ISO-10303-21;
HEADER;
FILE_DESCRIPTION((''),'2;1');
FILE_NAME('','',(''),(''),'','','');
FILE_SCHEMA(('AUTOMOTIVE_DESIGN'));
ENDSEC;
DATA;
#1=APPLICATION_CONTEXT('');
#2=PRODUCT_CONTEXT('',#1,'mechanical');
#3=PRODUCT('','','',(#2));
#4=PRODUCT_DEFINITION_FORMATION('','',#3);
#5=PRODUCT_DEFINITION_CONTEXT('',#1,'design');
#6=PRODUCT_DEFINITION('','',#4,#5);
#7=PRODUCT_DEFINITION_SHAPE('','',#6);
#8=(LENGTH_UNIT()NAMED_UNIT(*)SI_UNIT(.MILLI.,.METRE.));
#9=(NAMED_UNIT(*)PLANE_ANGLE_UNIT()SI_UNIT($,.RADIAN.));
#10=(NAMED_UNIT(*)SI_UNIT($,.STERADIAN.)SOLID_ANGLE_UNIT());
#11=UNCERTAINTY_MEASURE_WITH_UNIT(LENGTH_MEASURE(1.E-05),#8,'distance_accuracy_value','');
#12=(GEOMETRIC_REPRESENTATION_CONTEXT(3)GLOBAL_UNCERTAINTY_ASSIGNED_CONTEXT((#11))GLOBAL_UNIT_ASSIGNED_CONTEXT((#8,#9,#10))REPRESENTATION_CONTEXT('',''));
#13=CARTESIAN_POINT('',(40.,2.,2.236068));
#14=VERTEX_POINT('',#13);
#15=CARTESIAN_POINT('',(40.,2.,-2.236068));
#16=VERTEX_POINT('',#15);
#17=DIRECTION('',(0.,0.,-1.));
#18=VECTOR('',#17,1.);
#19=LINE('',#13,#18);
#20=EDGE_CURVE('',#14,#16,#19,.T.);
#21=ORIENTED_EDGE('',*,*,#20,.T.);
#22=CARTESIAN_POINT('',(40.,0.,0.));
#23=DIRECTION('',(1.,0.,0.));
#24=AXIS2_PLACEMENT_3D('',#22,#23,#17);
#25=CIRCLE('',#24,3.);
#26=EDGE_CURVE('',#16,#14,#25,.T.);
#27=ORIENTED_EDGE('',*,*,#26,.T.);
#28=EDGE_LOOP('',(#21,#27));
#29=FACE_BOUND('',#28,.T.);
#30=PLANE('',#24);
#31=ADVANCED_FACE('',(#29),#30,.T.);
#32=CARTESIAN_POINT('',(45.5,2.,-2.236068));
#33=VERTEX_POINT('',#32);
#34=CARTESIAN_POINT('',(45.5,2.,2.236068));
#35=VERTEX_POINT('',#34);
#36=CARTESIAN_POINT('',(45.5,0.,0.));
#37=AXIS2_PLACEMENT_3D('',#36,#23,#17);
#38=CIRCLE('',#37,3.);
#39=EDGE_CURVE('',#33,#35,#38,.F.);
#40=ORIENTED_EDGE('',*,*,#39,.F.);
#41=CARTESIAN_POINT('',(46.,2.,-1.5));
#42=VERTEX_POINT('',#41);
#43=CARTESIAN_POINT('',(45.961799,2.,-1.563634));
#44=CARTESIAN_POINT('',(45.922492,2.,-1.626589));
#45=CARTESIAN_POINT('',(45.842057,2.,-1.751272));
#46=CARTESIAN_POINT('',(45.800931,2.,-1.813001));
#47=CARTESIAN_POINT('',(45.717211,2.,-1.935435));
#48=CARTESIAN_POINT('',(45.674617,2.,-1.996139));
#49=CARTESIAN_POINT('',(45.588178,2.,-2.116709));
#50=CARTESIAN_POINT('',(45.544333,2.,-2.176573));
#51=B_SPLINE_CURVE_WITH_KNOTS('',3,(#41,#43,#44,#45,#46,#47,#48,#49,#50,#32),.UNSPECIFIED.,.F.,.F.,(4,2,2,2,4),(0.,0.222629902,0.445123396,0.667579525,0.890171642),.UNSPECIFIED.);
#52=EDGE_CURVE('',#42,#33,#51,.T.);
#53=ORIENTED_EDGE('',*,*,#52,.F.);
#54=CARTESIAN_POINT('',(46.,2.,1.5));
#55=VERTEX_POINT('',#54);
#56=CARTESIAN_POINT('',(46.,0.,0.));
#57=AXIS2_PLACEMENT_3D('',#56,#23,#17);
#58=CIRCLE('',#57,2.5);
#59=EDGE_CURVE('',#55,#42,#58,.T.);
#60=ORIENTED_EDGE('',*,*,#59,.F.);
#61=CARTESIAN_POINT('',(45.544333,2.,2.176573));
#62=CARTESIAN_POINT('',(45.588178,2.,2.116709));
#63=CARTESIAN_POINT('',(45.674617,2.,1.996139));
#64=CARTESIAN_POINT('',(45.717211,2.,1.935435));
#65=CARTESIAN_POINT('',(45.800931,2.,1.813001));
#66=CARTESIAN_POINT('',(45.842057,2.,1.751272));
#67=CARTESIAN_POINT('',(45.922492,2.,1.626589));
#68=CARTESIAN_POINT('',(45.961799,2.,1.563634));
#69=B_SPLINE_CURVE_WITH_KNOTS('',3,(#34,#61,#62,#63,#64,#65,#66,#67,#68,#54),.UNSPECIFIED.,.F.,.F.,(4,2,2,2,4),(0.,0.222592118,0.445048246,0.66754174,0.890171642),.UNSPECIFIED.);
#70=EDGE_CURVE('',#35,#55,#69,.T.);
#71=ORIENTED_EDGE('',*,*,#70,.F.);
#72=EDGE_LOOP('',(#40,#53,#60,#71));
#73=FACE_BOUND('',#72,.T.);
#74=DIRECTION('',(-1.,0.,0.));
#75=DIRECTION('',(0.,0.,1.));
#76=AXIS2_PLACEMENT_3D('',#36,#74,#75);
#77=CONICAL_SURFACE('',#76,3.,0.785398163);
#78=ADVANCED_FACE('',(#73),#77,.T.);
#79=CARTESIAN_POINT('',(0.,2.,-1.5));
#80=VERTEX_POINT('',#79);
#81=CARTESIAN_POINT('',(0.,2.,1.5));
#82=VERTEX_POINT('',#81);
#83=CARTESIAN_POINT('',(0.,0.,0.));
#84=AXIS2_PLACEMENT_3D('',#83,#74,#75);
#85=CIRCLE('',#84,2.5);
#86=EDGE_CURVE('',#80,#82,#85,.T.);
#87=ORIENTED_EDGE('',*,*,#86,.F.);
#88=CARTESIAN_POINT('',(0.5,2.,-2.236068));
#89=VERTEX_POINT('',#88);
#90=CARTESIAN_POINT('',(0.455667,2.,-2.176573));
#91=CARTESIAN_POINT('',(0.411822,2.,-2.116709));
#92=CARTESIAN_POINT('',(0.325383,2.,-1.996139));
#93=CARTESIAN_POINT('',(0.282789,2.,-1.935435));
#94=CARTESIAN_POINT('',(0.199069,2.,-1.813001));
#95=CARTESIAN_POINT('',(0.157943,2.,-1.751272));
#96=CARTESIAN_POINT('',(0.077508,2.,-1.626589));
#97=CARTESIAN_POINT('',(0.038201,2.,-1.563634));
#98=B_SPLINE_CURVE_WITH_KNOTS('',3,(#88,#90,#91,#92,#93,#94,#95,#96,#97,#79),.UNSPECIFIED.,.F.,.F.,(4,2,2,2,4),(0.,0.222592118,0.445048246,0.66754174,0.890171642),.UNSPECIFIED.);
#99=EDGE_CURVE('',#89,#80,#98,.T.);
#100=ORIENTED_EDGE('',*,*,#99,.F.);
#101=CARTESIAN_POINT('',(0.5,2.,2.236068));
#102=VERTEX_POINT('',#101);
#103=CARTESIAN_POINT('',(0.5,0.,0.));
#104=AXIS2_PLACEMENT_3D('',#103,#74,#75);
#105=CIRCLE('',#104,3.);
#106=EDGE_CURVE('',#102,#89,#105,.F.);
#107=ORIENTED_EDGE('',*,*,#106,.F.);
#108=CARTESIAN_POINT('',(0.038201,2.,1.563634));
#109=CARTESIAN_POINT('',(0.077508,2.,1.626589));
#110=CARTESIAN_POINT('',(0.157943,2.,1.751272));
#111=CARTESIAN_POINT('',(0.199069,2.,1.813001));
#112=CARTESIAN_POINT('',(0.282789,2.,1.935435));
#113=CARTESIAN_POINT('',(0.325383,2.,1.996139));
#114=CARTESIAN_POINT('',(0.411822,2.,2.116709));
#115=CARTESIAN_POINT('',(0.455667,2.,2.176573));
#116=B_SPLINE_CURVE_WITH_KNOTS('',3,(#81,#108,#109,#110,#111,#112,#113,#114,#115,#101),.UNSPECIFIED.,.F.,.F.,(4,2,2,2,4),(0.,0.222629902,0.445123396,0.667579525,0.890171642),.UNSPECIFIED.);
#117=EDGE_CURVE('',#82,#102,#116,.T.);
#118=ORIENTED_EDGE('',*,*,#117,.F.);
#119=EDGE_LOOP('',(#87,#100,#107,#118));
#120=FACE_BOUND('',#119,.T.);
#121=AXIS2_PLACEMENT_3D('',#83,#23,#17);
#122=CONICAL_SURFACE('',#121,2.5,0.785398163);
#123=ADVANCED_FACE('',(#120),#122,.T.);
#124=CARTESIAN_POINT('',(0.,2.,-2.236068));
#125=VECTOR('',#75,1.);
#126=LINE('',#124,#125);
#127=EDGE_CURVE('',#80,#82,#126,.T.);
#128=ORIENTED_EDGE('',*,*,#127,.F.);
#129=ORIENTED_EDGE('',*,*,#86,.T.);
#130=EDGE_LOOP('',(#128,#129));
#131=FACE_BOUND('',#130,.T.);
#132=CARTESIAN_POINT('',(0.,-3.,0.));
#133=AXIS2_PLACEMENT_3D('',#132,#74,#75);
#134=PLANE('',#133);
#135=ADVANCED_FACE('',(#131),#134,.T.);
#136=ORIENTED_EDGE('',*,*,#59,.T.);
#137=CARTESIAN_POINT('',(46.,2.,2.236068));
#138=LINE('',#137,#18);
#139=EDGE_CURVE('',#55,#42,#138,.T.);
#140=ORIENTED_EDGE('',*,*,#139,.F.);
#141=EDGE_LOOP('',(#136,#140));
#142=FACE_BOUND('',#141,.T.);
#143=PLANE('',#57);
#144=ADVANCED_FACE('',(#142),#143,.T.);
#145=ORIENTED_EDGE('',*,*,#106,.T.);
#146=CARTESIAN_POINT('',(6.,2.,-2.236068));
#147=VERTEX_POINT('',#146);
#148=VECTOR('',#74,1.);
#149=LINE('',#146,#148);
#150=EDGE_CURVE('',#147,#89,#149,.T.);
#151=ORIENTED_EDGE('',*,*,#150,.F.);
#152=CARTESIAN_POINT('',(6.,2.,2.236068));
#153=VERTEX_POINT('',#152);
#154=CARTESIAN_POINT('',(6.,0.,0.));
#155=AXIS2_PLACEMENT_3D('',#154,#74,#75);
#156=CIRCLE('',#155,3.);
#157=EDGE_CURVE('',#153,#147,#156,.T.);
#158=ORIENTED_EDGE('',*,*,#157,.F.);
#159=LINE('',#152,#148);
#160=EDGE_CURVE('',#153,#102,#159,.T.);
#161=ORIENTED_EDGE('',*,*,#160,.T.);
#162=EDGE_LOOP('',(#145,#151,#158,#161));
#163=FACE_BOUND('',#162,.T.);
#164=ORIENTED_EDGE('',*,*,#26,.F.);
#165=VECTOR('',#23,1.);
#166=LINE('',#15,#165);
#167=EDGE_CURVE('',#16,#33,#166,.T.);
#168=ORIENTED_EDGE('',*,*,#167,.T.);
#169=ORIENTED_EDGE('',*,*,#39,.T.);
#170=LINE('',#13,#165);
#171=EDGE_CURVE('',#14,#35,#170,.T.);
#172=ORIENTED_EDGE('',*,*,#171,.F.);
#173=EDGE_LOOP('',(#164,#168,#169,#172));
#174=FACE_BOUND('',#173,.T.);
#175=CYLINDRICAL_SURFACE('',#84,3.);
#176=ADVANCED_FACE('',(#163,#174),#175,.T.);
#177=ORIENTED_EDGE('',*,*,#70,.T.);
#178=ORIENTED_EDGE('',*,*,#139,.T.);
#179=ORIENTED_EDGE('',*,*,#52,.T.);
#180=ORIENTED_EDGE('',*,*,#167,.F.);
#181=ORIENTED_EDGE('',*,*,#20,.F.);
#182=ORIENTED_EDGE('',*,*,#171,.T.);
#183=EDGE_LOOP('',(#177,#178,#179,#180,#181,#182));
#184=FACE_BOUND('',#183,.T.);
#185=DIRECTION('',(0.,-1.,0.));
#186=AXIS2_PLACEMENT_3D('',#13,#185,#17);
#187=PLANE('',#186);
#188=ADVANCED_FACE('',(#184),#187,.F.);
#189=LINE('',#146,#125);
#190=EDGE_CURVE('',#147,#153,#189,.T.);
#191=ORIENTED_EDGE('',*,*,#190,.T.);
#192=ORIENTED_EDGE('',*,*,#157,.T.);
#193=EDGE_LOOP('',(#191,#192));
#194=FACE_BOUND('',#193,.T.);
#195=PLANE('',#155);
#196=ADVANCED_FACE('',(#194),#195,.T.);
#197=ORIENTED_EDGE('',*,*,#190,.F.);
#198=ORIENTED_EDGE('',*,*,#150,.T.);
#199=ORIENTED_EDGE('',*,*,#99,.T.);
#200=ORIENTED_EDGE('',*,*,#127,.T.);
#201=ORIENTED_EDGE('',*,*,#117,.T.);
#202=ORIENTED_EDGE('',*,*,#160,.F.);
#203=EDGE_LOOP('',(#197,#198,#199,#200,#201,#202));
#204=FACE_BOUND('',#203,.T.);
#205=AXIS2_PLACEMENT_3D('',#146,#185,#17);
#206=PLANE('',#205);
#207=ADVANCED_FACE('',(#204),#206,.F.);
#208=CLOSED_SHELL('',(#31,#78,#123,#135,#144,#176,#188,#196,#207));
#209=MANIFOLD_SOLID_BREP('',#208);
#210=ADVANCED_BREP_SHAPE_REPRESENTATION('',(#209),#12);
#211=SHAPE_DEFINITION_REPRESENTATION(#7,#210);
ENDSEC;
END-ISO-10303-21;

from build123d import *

# Parameters (mm, degrees)
SKETCH2_W          = 46
SKETCH2_H          = 3
CUT_EXTRUDE3_DEPTH = 6
CUT_EXTRUDE4_DEPTH = 6
CHAMFER2_SIZE      = 0.5


with BuildPart() as part:
    # Sketch2 → Revolve2 (revolve)
    with BuildSketch(Plane.XY):
        with Locations((23, -1.5)):
            Rectangle(SKETCH2_W, SKETCH2_H)
    revolve(axis=Axis((0, 0, 0), (1, 0, 0)))

    # Sketch7 → Cut-Extrude3 (cut)
    with BuildSketch(Plane(origin=(46, 0, 0), x_dir=(0, 0, -1), z_dir=(1, 0, 0))):
        with BuildLine():
            Line((-2.236067977, 2), (2.236067977, 2))
            ThreePointArc((2.236067977, 2), (0, 3), (-2.236067977, 2))
        make_face()
    extrude(amount=-CUT_EXTRUDE3_DEPTH, mode=Mode.SUBTRACT)

    # Sketch8 → Cut-Extrude4 (cut)
    with BuildSketch(Plane.ZY):
        with BuildLine():
            Line((-2.236067977, 2), (2.236067977, 2))
            ThreePointArc((2.236067977, 2), (0, 3), (-2.236067977, 2))
        make_face()
    extrude(amount=-CUT_EXTRUDE4_DEPTH, mode=Mode.SUBTRACT)

    # Chamfer2
    chamfer2_edges = [part.edges().sort_by_distance(p)[0] for p in [
        (46, -1.224744871, -2.738612788),
        (0, -1.224744871, -2.738612788),
    ]]
    chamfer(chamfer2_edges, length=CHAMFER2_SIZE)


solid = part.part
